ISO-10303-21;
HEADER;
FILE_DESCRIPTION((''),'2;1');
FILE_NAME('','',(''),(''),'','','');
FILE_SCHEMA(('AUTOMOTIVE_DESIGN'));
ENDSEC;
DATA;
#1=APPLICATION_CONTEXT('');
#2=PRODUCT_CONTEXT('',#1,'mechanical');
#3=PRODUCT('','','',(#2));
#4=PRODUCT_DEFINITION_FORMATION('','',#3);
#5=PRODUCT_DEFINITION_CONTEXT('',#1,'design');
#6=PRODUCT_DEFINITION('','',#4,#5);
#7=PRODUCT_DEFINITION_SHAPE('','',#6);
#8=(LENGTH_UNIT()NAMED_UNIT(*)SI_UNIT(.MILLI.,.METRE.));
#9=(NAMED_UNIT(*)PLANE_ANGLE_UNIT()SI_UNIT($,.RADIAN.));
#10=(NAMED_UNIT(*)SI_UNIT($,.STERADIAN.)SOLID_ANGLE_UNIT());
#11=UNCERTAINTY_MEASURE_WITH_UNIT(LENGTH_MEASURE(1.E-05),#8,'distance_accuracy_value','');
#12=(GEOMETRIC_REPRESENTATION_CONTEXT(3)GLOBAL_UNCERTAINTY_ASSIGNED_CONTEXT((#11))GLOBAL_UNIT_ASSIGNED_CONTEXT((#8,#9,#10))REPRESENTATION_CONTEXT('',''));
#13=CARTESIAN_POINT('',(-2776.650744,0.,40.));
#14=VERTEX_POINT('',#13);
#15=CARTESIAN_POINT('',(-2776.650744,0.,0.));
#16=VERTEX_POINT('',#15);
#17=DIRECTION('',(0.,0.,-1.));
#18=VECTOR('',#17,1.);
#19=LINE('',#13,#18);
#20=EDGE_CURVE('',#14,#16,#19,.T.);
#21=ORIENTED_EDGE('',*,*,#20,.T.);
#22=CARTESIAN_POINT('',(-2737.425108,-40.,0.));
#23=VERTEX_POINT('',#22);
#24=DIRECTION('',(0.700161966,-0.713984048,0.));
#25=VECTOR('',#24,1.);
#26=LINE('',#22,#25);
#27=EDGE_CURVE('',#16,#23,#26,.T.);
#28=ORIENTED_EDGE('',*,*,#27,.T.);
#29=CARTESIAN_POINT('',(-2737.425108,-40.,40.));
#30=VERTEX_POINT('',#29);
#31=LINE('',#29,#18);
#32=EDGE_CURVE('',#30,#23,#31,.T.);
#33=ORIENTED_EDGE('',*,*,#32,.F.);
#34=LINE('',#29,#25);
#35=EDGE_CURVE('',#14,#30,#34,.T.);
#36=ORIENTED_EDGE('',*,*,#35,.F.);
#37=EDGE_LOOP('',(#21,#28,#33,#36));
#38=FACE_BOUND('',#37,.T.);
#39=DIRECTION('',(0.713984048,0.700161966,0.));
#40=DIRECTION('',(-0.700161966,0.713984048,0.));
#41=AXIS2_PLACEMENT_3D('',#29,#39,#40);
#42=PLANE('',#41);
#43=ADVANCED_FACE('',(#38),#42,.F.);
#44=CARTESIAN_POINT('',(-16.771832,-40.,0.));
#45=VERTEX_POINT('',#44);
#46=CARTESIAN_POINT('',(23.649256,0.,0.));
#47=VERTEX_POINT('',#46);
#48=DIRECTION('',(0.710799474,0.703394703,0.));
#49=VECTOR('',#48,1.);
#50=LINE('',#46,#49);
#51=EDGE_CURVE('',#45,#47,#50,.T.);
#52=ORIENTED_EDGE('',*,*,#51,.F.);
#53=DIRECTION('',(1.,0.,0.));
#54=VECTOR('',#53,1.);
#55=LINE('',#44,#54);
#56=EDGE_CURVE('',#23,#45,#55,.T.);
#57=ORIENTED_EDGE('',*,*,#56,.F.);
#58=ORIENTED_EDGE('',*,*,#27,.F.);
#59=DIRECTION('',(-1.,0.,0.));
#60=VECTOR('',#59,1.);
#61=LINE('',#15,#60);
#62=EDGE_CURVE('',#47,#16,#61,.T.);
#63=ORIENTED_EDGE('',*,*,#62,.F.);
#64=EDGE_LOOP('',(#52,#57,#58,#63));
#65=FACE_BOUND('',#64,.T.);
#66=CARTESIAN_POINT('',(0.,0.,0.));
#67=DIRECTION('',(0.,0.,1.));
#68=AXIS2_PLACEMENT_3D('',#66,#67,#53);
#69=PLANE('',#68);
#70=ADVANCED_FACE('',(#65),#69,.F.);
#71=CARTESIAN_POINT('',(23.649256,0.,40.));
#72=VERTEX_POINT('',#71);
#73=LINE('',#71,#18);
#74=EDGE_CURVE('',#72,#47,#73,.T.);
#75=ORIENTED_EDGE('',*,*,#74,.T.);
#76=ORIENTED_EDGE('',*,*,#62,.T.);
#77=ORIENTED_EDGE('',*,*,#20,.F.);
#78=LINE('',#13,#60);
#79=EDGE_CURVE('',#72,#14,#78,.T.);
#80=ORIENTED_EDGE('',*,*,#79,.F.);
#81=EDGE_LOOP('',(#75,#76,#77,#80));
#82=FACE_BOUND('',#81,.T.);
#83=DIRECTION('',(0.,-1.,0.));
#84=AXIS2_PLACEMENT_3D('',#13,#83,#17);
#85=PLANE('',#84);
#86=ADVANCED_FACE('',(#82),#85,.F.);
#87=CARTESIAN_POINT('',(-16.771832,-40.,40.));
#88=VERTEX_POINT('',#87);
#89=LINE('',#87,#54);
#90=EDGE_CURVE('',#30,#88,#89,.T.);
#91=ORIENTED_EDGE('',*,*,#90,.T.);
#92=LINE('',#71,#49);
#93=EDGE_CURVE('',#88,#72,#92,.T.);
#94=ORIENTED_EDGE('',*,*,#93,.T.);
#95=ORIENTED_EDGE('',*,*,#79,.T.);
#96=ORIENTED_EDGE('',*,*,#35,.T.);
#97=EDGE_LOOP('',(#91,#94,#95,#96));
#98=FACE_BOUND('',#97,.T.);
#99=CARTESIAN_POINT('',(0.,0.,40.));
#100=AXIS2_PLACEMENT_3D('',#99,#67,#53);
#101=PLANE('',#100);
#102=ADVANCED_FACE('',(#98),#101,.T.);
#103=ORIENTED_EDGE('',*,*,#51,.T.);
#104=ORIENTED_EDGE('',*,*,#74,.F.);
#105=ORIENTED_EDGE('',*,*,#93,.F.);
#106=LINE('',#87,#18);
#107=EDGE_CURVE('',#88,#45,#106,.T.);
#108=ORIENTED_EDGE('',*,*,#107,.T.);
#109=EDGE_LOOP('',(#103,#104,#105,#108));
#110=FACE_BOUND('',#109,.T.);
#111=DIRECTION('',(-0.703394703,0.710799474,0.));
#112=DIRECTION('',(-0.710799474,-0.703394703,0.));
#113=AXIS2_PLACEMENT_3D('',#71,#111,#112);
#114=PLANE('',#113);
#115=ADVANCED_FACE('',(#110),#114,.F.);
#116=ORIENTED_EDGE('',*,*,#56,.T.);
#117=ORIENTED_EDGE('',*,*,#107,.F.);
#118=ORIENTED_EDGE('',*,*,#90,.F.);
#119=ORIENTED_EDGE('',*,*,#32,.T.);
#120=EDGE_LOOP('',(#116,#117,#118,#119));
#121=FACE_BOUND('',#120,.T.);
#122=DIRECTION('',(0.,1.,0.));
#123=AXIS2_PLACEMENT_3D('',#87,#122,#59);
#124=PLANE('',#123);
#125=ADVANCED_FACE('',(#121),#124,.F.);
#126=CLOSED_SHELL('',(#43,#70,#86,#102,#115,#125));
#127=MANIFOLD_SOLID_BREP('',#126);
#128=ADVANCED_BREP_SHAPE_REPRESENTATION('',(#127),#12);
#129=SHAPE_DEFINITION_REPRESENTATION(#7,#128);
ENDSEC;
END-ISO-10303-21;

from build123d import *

# Parameters (mm, degrees)
BOSS_EXTRUDE1_DEPTH = 40


with BuildPart() as part:
    # Sketch2 → Boss-Extrude1 (new body)
    with BuildSketch(Plane.XY):
        Polygon((-2776.65074398, 0), (23.64925602, 0), (-16.771831658, -40), (-2737.425107633, -40), align=None)
    extrude(amount=BOSS_EXTRUDE1_DEPTH)


solid = part.part
